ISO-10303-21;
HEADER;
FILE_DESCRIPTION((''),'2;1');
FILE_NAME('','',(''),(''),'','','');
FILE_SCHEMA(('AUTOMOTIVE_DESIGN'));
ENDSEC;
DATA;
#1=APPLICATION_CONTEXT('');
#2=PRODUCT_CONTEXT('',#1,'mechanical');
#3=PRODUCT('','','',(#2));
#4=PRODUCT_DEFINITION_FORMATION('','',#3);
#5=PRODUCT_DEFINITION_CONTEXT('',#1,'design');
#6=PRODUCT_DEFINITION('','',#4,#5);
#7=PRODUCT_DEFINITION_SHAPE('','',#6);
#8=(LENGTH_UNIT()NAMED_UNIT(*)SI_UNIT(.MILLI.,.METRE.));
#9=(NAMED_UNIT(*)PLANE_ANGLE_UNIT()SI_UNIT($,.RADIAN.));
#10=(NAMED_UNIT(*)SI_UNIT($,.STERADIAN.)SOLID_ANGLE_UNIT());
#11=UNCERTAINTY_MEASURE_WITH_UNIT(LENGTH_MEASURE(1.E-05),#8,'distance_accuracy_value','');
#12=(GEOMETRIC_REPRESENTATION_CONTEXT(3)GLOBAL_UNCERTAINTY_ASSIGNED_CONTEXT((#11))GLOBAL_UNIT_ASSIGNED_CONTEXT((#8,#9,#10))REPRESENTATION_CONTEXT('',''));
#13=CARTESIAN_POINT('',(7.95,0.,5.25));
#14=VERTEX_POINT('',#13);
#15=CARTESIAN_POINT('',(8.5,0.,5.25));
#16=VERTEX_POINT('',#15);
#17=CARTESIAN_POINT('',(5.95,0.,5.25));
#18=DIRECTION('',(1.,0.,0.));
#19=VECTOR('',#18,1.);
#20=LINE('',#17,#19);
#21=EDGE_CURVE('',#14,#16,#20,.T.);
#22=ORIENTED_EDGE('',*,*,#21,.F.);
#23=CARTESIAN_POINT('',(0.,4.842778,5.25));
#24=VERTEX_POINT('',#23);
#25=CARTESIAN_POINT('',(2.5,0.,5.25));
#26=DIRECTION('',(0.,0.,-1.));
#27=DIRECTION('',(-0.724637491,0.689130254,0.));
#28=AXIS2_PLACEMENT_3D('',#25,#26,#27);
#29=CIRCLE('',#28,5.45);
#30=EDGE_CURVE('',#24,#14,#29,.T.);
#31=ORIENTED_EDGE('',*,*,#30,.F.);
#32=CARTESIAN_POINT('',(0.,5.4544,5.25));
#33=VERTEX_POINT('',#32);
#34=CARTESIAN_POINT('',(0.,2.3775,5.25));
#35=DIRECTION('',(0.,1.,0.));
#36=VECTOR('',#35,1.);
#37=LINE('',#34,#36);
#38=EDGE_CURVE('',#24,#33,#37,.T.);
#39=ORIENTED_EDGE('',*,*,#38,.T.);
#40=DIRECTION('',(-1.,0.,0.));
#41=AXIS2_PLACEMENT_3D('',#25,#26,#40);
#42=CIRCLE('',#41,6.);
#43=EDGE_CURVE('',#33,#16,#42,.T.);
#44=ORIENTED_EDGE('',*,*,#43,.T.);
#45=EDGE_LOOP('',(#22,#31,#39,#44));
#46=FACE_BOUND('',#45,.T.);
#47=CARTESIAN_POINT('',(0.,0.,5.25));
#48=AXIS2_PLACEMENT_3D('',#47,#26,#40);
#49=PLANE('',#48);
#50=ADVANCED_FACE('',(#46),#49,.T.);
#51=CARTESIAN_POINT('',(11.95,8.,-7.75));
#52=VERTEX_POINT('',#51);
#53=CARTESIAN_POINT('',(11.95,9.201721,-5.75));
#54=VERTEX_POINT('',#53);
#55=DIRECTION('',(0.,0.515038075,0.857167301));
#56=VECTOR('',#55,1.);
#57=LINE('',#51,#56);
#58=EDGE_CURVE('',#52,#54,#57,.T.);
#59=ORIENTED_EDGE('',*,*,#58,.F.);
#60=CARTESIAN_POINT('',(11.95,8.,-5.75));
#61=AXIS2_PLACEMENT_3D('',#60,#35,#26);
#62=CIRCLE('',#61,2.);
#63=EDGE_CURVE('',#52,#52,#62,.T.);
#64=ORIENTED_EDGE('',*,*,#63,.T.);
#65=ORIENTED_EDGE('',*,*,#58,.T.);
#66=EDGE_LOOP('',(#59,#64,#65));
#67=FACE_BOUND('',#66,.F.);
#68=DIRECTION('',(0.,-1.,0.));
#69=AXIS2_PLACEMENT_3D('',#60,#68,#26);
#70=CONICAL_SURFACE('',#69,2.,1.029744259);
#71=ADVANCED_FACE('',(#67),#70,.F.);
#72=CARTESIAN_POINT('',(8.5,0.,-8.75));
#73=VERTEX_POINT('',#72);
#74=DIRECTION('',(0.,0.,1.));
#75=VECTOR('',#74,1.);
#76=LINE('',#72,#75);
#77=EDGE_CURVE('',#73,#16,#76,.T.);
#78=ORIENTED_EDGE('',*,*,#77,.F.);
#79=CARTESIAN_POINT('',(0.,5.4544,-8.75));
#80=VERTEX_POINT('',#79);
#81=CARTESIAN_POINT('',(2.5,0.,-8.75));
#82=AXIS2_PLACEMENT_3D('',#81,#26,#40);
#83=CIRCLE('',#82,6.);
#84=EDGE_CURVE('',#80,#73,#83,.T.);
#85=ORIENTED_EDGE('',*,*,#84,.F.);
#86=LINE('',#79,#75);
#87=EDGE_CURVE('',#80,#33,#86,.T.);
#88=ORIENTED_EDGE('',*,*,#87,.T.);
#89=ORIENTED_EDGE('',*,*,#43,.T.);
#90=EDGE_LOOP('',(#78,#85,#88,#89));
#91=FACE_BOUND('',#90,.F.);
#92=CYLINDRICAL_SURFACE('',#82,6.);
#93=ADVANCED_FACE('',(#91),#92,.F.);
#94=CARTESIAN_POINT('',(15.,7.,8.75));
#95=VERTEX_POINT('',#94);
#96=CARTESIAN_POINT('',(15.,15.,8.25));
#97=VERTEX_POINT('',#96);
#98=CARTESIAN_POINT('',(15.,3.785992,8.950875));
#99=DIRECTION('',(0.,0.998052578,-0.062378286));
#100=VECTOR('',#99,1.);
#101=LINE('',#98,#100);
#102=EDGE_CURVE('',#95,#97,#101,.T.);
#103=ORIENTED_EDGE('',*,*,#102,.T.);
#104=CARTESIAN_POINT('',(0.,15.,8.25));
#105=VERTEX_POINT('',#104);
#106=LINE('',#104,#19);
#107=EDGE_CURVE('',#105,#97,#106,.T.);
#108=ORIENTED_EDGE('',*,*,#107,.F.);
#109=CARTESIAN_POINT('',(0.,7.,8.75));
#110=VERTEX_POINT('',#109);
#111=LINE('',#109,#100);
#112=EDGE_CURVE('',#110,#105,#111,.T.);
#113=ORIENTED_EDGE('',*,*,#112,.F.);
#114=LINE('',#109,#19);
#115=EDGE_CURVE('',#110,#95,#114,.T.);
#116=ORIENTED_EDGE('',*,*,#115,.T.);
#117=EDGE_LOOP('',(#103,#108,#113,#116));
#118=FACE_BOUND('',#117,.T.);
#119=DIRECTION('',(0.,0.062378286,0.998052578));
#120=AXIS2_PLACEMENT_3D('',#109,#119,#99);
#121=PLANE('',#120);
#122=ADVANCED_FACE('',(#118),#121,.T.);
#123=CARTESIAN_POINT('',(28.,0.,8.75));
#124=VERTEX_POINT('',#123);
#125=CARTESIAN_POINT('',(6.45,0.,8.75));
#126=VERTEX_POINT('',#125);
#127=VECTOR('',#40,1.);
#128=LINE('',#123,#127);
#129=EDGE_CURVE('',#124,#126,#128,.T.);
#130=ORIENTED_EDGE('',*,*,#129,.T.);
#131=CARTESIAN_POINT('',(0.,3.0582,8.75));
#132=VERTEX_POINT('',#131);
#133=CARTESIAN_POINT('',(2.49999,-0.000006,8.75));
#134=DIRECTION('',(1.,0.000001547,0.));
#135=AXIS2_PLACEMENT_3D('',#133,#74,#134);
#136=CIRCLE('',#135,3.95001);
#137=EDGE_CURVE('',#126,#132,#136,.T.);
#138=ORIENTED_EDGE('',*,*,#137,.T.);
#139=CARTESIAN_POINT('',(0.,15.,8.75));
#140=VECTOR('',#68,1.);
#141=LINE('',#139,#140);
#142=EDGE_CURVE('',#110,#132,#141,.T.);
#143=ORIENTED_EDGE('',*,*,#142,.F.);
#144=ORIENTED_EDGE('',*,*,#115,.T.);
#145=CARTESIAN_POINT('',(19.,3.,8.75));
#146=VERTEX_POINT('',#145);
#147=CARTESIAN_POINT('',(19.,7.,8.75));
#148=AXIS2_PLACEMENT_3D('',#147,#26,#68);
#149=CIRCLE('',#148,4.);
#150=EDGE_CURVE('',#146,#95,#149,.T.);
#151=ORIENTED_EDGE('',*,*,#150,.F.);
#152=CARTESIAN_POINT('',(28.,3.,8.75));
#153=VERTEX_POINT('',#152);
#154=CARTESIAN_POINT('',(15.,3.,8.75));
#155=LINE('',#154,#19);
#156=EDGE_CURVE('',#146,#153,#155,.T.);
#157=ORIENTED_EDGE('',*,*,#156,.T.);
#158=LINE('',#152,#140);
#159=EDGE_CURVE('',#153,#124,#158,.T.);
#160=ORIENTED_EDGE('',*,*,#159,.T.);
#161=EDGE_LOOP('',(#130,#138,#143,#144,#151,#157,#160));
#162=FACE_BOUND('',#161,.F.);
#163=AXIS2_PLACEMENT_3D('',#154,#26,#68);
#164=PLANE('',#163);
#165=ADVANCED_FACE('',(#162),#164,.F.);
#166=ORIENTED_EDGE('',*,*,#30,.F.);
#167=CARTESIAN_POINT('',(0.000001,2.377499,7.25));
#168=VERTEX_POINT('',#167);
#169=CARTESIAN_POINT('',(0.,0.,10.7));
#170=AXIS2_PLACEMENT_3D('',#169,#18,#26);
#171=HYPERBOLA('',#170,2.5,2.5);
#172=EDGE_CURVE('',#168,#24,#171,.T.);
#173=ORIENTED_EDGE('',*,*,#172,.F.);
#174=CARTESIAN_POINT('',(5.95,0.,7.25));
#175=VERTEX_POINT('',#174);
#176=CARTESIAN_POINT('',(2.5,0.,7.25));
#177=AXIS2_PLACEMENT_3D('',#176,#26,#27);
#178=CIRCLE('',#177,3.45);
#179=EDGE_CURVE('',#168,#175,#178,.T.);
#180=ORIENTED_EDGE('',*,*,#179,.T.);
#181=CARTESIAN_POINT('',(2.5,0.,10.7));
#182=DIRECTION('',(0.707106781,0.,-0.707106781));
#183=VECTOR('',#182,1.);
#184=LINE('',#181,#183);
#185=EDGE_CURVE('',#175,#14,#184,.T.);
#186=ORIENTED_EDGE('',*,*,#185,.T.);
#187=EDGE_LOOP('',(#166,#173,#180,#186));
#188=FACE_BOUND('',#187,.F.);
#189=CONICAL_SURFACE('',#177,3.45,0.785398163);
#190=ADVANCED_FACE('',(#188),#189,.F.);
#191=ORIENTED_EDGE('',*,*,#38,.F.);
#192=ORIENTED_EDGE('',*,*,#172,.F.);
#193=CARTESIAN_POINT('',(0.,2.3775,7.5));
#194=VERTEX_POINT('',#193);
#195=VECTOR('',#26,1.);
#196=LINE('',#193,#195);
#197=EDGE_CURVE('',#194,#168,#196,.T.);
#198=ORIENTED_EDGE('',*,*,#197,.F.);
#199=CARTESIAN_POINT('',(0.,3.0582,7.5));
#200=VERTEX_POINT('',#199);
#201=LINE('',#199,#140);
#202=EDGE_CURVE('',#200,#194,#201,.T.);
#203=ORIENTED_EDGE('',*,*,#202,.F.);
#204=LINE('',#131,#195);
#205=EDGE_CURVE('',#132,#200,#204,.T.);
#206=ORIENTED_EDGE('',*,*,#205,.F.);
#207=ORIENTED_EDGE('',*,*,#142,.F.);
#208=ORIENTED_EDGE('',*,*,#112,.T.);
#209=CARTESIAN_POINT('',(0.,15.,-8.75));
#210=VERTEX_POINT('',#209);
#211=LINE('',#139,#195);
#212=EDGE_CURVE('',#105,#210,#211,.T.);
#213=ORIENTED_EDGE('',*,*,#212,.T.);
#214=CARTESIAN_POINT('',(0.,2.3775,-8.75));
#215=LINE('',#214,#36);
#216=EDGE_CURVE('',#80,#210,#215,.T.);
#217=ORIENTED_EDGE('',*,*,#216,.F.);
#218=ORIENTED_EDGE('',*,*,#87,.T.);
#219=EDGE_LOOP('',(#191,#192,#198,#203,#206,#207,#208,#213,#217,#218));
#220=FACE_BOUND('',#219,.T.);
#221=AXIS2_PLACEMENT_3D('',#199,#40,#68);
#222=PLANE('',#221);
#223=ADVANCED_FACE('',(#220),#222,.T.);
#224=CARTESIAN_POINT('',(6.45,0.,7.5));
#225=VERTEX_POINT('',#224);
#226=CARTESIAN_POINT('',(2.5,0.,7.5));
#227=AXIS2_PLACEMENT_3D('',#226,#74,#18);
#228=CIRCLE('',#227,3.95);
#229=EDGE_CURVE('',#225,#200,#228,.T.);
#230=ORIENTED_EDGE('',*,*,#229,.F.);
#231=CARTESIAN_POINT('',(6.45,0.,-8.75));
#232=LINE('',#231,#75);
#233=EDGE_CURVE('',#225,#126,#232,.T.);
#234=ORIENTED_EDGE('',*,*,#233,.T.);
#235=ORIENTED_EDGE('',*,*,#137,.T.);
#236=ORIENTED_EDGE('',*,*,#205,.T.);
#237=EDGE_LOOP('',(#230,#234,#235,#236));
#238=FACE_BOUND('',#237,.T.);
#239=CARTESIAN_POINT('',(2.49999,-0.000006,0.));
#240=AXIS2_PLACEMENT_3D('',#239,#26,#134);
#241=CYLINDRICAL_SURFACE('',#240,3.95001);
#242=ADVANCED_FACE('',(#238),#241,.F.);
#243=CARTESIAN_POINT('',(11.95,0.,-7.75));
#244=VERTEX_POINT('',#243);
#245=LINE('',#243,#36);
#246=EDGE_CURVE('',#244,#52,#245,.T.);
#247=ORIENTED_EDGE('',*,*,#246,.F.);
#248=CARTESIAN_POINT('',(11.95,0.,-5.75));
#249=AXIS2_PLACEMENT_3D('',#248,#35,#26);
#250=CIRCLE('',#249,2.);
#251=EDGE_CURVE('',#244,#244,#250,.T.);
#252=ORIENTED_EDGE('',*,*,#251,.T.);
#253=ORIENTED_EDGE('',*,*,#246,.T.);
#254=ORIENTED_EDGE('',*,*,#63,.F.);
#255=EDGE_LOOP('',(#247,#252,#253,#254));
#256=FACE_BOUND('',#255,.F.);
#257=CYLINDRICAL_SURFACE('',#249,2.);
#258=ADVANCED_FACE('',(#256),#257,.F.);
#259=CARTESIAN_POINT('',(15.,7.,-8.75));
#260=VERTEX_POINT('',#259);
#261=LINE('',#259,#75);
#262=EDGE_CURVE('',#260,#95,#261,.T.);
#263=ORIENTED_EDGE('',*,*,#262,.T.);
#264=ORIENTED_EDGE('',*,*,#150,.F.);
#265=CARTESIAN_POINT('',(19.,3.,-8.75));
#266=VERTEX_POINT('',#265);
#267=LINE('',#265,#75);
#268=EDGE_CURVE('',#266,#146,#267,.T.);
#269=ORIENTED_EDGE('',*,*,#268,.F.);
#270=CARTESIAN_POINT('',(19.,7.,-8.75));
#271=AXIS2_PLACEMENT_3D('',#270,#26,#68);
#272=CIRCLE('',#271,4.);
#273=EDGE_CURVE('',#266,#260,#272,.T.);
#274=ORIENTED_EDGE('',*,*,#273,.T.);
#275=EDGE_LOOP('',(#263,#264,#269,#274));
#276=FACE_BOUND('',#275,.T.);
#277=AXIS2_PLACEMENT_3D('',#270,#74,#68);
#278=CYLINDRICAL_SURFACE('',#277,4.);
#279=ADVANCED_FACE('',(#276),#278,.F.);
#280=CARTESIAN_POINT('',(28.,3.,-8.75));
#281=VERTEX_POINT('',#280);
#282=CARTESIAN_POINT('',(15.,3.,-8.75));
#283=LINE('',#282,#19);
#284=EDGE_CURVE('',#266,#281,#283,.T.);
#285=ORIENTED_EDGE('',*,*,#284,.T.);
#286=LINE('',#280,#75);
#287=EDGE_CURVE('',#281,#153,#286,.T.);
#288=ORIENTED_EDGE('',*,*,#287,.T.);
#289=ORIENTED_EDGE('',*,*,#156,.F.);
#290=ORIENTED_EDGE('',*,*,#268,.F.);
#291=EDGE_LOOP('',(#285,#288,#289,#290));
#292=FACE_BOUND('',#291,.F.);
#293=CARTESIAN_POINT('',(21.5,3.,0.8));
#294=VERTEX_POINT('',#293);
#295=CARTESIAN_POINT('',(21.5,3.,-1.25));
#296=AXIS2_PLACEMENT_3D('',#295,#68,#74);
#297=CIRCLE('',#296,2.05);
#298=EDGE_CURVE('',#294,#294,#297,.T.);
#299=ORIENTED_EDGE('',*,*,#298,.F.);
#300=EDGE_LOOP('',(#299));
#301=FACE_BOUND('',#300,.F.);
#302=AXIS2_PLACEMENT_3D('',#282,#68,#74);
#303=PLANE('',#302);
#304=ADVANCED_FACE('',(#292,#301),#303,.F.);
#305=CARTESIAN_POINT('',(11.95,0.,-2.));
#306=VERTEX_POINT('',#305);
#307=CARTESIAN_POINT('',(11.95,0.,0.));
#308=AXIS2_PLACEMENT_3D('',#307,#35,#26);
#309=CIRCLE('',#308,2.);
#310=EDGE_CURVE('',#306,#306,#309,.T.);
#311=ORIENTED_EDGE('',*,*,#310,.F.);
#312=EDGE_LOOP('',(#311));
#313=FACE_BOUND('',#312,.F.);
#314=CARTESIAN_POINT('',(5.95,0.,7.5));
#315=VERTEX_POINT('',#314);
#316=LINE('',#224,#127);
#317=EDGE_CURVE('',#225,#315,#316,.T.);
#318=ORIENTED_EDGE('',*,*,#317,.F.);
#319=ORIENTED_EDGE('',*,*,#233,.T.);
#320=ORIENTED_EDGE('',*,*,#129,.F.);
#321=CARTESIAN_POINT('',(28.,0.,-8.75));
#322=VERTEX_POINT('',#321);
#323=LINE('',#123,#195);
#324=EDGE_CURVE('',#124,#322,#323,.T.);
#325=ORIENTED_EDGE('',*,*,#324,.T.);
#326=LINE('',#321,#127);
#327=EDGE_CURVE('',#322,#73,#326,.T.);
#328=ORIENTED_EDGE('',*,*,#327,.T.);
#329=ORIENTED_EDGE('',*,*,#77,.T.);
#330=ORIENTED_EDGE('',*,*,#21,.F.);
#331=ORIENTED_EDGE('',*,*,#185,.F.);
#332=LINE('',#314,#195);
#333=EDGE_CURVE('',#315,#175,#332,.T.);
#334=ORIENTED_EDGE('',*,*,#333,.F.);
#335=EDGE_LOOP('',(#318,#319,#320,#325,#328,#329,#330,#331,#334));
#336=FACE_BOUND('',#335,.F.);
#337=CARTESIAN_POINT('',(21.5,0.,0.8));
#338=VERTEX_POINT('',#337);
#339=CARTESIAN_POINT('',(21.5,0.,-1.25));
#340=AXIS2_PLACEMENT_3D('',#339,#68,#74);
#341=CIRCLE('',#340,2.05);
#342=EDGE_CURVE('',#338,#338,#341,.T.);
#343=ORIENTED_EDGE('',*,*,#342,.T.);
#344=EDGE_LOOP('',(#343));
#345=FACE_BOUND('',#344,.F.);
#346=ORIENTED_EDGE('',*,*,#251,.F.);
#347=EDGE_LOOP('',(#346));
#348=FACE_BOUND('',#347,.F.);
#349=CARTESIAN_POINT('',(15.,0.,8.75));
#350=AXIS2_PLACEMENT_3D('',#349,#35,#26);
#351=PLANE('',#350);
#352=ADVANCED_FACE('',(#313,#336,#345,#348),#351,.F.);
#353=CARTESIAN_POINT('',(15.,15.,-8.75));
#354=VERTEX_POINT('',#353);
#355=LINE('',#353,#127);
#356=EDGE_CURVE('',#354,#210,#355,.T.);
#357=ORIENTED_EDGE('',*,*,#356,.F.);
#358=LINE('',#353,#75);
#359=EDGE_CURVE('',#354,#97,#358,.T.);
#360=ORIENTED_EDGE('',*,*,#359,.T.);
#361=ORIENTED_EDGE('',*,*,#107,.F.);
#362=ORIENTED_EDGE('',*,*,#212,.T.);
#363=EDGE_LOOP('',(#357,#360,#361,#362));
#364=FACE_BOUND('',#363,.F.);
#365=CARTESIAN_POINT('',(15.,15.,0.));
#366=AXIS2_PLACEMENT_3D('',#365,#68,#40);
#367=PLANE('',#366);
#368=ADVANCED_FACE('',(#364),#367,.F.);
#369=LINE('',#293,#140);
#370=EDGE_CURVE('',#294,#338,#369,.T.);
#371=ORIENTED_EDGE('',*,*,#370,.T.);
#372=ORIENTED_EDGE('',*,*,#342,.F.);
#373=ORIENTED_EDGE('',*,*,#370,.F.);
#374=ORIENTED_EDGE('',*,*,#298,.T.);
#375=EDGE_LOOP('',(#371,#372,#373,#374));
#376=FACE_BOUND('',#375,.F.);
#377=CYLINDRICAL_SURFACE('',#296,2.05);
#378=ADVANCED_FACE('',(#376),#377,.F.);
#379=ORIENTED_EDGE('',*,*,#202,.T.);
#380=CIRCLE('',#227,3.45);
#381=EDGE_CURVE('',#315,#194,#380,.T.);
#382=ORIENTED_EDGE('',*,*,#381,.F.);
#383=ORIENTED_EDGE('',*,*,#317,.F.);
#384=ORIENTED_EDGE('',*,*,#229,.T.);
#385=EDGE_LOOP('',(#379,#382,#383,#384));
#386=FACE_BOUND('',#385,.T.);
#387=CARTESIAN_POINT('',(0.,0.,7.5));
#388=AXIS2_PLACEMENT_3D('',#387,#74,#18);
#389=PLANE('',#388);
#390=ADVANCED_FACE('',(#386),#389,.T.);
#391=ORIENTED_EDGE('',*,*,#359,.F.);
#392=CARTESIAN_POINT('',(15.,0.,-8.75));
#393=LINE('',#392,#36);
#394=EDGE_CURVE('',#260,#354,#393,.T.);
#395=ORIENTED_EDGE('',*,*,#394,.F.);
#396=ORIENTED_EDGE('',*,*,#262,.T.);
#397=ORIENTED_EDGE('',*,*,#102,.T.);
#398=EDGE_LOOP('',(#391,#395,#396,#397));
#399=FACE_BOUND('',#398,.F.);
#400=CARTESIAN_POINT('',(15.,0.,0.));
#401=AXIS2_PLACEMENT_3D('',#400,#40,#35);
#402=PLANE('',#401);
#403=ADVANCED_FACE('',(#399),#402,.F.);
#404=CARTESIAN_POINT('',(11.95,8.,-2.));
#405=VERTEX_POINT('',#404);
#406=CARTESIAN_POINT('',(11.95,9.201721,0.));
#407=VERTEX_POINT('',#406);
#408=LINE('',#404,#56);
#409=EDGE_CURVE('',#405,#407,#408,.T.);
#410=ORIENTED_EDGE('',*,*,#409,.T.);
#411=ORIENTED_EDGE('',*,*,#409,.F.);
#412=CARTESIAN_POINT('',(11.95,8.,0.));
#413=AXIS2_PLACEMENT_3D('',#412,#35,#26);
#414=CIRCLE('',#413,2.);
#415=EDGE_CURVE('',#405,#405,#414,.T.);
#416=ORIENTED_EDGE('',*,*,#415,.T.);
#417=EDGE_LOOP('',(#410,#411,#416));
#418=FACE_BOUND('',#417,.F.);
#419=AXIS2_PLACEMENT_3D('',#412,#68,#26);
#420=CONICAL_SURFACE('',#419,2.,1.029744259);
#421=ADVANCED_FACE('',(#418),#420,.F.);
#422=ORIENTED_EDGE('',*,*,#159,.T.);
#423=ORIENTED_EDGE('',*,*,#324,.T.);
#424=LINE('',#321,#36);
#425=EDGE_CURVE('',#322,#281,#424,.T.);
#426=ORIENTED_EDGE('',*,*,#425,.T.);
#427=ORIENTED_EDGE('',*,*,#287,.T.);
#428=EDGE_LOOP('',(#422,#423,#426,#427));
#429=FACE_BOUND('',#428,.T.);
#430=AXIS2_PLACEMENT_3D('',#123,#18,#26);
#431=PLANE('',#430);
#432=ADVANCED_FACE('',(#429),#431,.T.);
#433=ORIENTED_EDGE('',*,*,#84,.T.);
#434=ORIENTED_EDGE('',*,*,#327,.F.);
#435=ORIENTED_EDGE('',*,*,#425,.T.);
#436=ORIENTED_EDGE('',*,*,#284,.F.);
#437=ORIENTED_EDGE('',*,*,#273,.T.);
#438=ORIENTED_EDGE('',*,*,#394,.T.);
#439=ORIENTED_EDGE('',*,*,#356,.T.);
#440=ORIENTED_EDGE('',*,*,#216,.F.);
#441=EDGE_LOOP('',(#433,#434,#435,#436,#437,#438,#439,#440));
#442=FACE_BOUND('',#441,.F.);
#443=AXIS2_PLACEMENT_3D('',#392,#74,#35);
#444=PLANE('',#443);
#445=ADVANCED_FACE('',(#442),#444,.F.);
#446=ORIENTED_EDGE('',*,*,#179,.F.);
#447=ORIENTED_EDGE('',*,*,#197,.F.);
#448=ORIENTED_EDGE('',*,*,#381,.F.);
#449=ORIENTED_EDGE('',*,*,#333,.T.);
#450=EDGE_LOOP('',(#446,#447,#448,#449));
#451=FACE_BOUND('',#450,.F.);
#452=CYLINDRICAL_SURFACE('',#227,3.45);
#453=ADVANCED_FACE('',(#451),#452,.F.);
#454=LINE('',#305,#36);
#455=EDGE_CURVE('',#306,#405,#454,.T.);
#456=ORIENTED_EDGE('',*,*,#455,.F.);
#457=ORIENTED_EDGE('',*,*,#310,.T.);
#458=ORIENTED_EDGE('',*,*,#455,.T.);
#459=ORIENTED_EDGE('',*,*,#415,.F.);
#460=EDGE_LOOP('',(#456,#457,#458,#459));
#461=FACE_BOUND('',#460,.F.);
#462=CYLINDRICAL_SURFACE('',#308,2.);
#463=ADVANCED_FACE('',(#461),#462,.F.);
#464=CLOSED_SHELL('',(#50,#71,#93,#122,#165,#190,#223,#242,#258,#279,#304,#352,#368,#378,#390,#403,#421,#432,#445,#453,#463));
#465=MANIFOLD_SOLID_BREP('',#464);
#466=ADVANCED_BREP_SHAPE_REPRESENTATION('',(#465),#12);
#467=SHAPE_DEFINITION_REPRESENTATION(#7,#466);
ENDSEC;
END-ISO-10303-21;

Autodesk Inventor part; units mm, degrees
ref_plane "YZ Plane" through (0, 0, 0) normal (1, 0, 0) x (0, 1, 0)
ref_plane "XZ Plane" through (0, 0, 0) normal (0, 1, 0) x (-1, 0, 0)
sketch "Skizze1" plane through (0, 0, 0) normal (0, 0, 1) x (1, 0, 0)
  line L0 (6.45, 0) -> (15, 0)
  line L1 (15, 0) -> (15, 15)
  line L2 (15, 15) -> (0, 15)
  line L3 (0, 15) -> (0, 3.0582)
  arc A0 (6.45, 0) -> (0, 3.0582) centre (2.5, 0) ccw
  line L4 (-3, 0) -> (18, 0) projected
  line L5 (0, -3) -> (0, 18) projected
  point P0 (0, 0)
  dimension "d0" = 15
  dimension "d1" = 15
  dimension "d2" = 7.9
  dimension "d3" = 2.5
extrude "Extrusion1" add sketch "Skizze1" along normal mid plane 17.5 contours A0 L3 L2 L1 L0
ref_plane "Arbeitsebene1" through (0, 0, 7.5) normal (0, 0, 1) x (1, 0, 0)
sketch "Skizze2" plane through (0, 0, 7.5) normal (0, 0, 1) x (1, 0, 0)
  circle A0 centre (2.5, 0) radius 3.95
  arc A1 (6.45, 0) -> (0, 3.0582) centre (2.5, 0) ccw projected
  circle A2 centre (2.5, 0) radius 3.45
  line L0 (0, 3.0582) -> (0, 2.3775)
  line L1 (15, 0) -> (6.45, 0) projected
  line L2 (6.45, 0) -> (5.95, 0)
  point P0 (0, 0)
  point P1 (0, 3.0582)
  dimension "d7" = 7.9
  dimension "d8" = 6.9
extrude "Extrusion2" add sketch "Skizze2" against normal up to surface (16.25 mm away) contours L2 A2 L0 A0 picked at (6.25, 0.2945)
sketch "Skizze4" plane through (15, 0, 8.75) normal (1, 0, 0) x (0, 0, -1)
  line L0 (17.5, 3) -> (0, 3)
  line L1 (0, 3) -> (0, 0)
  line L2 (0, 0) -> (17.5, 0)
  line L3 (17.5, 0) -> (17.5, 3)
  line L4 (17.5, 15) -> (17.5, 0) projected
  line L5 (0, 0) -> (0, 15) projected
  line L6 (17.5, 0) -> (0, 0) projected
  point P0 (8.75, 0)
  dimension "d11" = 3
extrude "Extrusion3" add sketch "Skizze4" along normal blind 13
fillet "Rundung1" radius 4 1 edges at (15, 3, 0)
sketch "Skizze5" plane through (28, 3, 8.75) normal (0, 1, 0) x (1, 0, 0)
  line L0 (-9, 0) -> (0, 0) projected
  line L1 (0, 17.5) -> (0, 0) projected
  point P0 (-28, 8.75)
  point P1 (-6.5, 10)
  dimension "d15" = 10
  dimension "d16" = 6.5
hole "Bohrung1" at (21.5, 3, -1.25) direction (0, -1, 0) diameter 4.1 end through all
sketch "Skizze6" plane through (5.95, 0, -8.75) normal (0, -1, 0) x (1, 0, 0)
  line L0 (0, 0) -> (22.05, 0) projected
  line L1 (-11.55, 8.75) -> (27.65, 8.75) projected
  line L2 (0, 16.25) -> (0, 0) projected
  point P0 (-5.95, 8.75)
  point P1 (6, 3)
  point P2 (6, 8.75)
  dimension "d24" = 3
  dimension "d25" = 6
hole "Bohrung2" at (11.95, 0, -5.75) at (11.95, 0, 0) direction (0, 1, 0) diameter 4 depth 8 tip angle 118
sketch "Skizze7" plane through (0, 0, -8.75) normal (0, 0, -1) x (-1, 0, 0)
  circle A0 centre (-2.5, 0) radius 6
  arc A1 (0, 2.3775) -> (-5.95, 0) centre (-2.5, 0) ccw projected
  line L0 (-5.95, 0) -> (-8.5, 0)
  line L1 (-5.95, 0) -> (-28, 0) projected
  line L2 (0, 2.3775) -> (0, 15) projected
  line L3 (0, 2.3775) -> (0, 5.4544)
  point P0 (0, 0)
  dimension "d34" = 12
extrude "Extrusion4" cut sketch "Skizze7" against normal blind 14 contours L2 A1 L0 A0 picked at (-7.6008, 0.4409)
chamfer "Fasen1" distance 2 angle 45 1 edges at (3.7801, 3.2037, 5.25)
sketch "Skizze8" plane through (0, 3.0582, 8.75) normal (-1, 0, 0) x (0, 0, 1)
  line L0 (0, 3.9418) -> (0, 11.9418) projected
  line L1 (0, 3.9418) -> (-0.5, 11.9418)
  line L2 (-17.5, 11.9418) -> (0, 11.9418) projected
  line L3 (-0.5, 11.9418) -> (0, 11.9418)
  line L4 (0, 11.9418) -> (0, 3.9418)
  point P0 (-8.75, -3.0582)
  dimension "d40" = 8
  dimension "d41" = 0.5
extrude "Extrusion5" cut sketch "Skizze8" against normal through all
equation "\"d0\" = Tiefe_Gegenstueck"
equation "\"d1\" = Breite_Grundkoerper"
equation "\"d2\" = D_Scheibe"
equation "\"d3\" = Abstand_D_Scheibe"
equation "\"d4\" = Tiefe_Grundkoerper"
equation "\"d7\" = D_Scheibe"
equation "\"d11\" = Breite_Absatz"
equation "\"d12\" = Tiefe_Absatz"
equation "\"d14\" = Radius_Absatz"
equation "\"d15\" = Pos_Bohrung_Kolben_y"
equation "\"d16\" = Pos_Bohrung_Kolben_x"
equation "\"d17\" = D_Kolbenbohrung"
equation "\"d24\" = Zentrierbohrung_y"
equation "\"d25\" = Zentrierbohrung_x"
equation "\"d26\" = D_Zentrierbohrung"
equation "\"d31\" = T_Zentrierbohrung"
equation "\"Breite_Grundkoerper\" = 15"
equation "\"D_Scheibe\" = 7.9"
equation "\"Abstand_D_Scheibe\" = 2.5"
equation "\"Abstand_Arbeitsebene\" = 2"
equation "\"Tiefe_Grundkoerper\" = 17.5"
equation "\"Tiefe_Gegenstueck\" = 15"
equation "\"Breite_Absatz\" = 3"
equation "\"Tiefe_Absatz\" = 13"
equation "\"Radius_Absatz\" = 4"
equation "\"Pos_Bohrung_Kolben_x\" = 6.5"
equation "\"Pos_Bohrung_Kolben_y\" = 10"
equation "\"D_Kolbenbohrung\" = 4.1"
equation "\"Zentrierbohrung_y\" = 3"
equation "\"T_Zentrierbohrung\" = 8"
equation "\"D_Zentrierbohrung\" = 4"
equation "\"Zentrierbohrung_x\" = 6"
equation "\"R_Kanten\" = 0.5"
properties part number "JH_int_Greiferkoerper_Gegenstueck"
